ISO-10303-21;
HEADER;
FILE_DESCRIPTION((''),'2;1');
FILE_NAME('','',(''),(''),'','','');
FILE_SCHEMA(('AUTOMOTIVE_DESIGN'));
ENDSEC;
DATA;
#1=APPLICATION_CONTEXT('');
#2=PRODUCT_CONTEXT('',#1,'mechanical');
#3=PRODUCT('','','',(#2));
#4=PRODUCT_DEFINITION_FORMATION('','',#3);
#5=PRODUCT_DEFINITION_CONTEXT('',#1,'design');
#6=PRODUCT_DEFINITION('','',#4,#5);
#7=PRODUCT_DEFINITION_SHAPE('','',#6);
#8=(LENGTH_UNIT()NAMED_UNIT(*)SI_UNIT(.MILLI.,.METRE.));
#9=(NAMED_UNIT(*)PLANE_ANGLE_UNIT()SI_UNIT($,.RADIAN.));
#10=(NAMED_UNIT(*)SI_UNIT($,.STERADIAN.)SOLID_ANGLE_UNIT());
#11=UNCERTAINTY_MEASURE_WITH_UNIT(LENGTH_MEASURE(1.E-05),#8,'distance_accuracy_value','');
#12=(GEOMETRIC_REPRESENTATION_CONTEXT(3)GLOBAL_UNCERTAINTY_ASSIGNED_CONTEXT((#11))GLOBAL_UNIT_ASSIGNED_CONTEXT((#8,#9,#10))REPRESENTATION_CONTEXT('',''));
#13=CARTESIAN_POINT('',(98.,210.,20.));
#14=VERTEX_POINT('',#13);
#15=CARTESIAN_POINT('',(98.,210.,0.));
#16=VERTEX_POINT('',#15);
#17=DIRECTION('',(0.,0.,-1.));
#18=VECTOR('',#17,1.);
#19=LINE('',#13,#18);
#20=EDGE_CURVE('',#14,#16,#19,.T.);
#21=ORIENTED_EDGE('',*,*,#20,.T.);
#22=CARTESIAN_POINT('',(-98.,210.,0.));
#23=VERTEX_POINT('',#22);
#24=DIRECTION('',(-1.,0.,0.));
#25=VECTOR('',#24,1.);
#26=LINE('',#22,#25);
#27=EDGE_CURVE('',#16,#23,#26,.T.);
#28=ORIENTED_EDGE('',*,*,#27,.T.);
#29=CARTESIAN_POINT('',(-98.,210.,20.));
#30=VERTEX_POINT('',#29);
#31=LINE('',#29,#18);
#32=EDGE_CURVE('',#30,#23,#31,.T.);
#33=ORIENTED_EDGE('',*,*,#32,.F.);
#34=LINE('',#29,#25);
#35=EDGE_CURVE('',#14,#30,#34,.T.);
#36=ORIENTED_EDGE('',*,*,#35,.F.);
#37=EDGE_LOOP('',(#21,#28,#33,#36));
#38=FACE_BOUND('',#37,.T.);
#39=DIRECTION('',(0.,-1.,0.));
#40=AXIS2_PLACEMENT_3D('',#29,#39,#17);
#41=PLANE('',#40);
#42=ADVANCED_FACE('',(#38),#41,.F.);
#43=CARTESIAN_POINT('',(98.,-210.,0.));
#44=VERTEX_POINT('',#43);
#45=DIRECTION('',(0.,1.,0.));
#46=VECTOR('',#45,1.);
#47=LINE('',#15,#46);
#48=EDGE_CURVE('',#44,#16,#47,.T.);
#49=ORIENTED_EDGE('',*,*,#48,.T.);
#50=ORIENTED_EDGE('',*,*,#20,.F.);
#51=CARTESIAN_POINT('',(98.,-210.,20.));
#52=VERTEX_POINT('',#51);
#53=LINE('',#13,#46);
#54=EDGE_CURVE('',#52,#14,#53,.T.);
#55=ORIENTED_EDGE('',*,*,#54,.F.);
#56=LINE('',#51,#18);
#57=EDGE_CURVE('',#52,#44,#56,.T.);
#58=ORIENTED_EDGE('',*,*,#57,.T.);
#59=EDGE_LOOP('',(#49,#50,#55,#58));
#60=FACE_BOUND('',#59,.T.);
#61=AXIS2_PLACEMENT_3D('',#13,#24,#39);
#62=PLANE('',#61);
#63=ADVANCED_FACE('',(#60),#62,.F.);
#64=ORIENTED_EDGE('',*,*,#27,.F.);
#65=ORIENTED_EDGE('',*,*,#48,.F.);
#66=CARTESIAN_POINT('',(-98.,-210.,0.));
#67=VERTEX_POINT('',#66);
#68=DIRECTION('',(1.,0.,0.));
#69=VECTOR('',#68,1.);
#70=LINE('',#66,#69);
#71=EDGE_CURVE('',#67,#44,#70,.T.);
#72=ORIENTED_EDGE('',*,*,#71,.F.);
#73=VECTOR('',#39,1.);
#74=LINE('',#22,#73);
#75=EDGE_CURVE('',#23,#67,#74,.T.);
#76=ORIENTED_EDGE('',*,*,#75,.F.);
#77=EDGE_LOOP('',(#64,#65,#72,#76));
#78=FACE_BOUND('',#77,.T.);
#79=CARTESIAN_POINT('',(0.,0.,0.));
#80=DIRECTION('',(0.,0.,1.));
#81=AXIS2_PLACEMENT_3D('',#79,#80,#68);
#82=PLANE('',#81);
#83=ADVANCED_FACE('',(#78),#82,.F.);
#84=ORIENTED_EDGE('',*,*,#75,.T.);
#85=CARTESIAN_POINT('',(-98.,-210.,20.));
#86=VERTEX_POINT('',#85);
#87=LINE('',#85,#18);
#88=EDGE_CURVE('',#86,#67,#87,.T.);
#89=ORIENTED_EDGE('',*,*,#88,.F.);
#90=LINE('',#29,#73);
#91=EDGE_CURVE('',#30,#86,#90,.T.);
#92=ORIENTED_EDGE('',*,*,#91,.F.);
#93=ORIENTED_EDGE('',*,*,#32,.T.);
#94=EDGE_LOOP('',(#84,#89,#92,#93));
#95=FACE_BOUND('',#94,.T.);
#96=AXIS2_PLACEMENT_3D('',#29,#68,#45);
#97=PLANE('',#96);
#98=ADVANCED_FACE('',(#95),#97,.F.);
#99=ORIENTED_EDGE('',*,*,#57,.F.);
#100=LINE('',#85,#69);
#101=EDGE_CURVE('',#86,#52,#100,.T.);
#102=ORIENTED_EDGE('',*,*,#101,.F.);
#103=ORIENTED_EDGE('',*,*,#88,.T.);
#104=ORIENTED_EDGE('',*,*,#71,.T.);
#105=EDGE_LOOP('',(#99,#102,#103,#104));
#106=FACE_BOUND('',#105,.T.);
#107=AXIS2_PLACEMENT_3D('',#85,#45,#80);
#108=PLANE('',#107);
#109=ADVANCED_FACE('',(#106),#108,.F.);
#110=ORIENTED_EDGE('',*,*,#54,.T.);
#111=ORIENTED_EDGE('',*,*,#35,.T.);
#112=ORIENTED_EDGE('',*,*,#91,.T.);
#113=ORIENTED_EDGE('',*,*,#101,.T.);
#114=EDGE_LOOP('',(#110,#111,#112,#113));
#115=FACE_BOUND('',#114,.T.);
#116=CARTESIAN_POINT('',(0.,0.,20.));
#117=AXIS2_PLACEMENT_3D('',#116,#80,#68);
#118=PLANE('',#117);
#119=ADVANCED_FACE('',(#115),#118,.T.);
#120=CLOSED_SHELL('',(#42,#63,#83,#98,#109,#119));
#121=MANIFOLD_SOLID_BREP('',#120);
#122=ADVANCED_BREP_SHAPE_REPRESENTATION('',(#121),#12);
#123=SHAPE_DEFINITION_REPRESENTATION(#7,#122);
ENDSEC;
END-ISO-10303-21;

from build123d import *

# Parameters (mm, degrees)
SKETCH_1_W      = 196
SKETCH_1_H      = 420
EXTRUDE_1_DEPTH = 20


with BuildPart() as part:
    # 草图1 → 凸台-拉伸1 (new body)
    with BuildSketch(Plane.XY):
        Rectangle(SKETCH_1_W, SKETCH_1_H)
    extrude(amount=EXTRUDE_1_DEPTH)


solid = part.part
